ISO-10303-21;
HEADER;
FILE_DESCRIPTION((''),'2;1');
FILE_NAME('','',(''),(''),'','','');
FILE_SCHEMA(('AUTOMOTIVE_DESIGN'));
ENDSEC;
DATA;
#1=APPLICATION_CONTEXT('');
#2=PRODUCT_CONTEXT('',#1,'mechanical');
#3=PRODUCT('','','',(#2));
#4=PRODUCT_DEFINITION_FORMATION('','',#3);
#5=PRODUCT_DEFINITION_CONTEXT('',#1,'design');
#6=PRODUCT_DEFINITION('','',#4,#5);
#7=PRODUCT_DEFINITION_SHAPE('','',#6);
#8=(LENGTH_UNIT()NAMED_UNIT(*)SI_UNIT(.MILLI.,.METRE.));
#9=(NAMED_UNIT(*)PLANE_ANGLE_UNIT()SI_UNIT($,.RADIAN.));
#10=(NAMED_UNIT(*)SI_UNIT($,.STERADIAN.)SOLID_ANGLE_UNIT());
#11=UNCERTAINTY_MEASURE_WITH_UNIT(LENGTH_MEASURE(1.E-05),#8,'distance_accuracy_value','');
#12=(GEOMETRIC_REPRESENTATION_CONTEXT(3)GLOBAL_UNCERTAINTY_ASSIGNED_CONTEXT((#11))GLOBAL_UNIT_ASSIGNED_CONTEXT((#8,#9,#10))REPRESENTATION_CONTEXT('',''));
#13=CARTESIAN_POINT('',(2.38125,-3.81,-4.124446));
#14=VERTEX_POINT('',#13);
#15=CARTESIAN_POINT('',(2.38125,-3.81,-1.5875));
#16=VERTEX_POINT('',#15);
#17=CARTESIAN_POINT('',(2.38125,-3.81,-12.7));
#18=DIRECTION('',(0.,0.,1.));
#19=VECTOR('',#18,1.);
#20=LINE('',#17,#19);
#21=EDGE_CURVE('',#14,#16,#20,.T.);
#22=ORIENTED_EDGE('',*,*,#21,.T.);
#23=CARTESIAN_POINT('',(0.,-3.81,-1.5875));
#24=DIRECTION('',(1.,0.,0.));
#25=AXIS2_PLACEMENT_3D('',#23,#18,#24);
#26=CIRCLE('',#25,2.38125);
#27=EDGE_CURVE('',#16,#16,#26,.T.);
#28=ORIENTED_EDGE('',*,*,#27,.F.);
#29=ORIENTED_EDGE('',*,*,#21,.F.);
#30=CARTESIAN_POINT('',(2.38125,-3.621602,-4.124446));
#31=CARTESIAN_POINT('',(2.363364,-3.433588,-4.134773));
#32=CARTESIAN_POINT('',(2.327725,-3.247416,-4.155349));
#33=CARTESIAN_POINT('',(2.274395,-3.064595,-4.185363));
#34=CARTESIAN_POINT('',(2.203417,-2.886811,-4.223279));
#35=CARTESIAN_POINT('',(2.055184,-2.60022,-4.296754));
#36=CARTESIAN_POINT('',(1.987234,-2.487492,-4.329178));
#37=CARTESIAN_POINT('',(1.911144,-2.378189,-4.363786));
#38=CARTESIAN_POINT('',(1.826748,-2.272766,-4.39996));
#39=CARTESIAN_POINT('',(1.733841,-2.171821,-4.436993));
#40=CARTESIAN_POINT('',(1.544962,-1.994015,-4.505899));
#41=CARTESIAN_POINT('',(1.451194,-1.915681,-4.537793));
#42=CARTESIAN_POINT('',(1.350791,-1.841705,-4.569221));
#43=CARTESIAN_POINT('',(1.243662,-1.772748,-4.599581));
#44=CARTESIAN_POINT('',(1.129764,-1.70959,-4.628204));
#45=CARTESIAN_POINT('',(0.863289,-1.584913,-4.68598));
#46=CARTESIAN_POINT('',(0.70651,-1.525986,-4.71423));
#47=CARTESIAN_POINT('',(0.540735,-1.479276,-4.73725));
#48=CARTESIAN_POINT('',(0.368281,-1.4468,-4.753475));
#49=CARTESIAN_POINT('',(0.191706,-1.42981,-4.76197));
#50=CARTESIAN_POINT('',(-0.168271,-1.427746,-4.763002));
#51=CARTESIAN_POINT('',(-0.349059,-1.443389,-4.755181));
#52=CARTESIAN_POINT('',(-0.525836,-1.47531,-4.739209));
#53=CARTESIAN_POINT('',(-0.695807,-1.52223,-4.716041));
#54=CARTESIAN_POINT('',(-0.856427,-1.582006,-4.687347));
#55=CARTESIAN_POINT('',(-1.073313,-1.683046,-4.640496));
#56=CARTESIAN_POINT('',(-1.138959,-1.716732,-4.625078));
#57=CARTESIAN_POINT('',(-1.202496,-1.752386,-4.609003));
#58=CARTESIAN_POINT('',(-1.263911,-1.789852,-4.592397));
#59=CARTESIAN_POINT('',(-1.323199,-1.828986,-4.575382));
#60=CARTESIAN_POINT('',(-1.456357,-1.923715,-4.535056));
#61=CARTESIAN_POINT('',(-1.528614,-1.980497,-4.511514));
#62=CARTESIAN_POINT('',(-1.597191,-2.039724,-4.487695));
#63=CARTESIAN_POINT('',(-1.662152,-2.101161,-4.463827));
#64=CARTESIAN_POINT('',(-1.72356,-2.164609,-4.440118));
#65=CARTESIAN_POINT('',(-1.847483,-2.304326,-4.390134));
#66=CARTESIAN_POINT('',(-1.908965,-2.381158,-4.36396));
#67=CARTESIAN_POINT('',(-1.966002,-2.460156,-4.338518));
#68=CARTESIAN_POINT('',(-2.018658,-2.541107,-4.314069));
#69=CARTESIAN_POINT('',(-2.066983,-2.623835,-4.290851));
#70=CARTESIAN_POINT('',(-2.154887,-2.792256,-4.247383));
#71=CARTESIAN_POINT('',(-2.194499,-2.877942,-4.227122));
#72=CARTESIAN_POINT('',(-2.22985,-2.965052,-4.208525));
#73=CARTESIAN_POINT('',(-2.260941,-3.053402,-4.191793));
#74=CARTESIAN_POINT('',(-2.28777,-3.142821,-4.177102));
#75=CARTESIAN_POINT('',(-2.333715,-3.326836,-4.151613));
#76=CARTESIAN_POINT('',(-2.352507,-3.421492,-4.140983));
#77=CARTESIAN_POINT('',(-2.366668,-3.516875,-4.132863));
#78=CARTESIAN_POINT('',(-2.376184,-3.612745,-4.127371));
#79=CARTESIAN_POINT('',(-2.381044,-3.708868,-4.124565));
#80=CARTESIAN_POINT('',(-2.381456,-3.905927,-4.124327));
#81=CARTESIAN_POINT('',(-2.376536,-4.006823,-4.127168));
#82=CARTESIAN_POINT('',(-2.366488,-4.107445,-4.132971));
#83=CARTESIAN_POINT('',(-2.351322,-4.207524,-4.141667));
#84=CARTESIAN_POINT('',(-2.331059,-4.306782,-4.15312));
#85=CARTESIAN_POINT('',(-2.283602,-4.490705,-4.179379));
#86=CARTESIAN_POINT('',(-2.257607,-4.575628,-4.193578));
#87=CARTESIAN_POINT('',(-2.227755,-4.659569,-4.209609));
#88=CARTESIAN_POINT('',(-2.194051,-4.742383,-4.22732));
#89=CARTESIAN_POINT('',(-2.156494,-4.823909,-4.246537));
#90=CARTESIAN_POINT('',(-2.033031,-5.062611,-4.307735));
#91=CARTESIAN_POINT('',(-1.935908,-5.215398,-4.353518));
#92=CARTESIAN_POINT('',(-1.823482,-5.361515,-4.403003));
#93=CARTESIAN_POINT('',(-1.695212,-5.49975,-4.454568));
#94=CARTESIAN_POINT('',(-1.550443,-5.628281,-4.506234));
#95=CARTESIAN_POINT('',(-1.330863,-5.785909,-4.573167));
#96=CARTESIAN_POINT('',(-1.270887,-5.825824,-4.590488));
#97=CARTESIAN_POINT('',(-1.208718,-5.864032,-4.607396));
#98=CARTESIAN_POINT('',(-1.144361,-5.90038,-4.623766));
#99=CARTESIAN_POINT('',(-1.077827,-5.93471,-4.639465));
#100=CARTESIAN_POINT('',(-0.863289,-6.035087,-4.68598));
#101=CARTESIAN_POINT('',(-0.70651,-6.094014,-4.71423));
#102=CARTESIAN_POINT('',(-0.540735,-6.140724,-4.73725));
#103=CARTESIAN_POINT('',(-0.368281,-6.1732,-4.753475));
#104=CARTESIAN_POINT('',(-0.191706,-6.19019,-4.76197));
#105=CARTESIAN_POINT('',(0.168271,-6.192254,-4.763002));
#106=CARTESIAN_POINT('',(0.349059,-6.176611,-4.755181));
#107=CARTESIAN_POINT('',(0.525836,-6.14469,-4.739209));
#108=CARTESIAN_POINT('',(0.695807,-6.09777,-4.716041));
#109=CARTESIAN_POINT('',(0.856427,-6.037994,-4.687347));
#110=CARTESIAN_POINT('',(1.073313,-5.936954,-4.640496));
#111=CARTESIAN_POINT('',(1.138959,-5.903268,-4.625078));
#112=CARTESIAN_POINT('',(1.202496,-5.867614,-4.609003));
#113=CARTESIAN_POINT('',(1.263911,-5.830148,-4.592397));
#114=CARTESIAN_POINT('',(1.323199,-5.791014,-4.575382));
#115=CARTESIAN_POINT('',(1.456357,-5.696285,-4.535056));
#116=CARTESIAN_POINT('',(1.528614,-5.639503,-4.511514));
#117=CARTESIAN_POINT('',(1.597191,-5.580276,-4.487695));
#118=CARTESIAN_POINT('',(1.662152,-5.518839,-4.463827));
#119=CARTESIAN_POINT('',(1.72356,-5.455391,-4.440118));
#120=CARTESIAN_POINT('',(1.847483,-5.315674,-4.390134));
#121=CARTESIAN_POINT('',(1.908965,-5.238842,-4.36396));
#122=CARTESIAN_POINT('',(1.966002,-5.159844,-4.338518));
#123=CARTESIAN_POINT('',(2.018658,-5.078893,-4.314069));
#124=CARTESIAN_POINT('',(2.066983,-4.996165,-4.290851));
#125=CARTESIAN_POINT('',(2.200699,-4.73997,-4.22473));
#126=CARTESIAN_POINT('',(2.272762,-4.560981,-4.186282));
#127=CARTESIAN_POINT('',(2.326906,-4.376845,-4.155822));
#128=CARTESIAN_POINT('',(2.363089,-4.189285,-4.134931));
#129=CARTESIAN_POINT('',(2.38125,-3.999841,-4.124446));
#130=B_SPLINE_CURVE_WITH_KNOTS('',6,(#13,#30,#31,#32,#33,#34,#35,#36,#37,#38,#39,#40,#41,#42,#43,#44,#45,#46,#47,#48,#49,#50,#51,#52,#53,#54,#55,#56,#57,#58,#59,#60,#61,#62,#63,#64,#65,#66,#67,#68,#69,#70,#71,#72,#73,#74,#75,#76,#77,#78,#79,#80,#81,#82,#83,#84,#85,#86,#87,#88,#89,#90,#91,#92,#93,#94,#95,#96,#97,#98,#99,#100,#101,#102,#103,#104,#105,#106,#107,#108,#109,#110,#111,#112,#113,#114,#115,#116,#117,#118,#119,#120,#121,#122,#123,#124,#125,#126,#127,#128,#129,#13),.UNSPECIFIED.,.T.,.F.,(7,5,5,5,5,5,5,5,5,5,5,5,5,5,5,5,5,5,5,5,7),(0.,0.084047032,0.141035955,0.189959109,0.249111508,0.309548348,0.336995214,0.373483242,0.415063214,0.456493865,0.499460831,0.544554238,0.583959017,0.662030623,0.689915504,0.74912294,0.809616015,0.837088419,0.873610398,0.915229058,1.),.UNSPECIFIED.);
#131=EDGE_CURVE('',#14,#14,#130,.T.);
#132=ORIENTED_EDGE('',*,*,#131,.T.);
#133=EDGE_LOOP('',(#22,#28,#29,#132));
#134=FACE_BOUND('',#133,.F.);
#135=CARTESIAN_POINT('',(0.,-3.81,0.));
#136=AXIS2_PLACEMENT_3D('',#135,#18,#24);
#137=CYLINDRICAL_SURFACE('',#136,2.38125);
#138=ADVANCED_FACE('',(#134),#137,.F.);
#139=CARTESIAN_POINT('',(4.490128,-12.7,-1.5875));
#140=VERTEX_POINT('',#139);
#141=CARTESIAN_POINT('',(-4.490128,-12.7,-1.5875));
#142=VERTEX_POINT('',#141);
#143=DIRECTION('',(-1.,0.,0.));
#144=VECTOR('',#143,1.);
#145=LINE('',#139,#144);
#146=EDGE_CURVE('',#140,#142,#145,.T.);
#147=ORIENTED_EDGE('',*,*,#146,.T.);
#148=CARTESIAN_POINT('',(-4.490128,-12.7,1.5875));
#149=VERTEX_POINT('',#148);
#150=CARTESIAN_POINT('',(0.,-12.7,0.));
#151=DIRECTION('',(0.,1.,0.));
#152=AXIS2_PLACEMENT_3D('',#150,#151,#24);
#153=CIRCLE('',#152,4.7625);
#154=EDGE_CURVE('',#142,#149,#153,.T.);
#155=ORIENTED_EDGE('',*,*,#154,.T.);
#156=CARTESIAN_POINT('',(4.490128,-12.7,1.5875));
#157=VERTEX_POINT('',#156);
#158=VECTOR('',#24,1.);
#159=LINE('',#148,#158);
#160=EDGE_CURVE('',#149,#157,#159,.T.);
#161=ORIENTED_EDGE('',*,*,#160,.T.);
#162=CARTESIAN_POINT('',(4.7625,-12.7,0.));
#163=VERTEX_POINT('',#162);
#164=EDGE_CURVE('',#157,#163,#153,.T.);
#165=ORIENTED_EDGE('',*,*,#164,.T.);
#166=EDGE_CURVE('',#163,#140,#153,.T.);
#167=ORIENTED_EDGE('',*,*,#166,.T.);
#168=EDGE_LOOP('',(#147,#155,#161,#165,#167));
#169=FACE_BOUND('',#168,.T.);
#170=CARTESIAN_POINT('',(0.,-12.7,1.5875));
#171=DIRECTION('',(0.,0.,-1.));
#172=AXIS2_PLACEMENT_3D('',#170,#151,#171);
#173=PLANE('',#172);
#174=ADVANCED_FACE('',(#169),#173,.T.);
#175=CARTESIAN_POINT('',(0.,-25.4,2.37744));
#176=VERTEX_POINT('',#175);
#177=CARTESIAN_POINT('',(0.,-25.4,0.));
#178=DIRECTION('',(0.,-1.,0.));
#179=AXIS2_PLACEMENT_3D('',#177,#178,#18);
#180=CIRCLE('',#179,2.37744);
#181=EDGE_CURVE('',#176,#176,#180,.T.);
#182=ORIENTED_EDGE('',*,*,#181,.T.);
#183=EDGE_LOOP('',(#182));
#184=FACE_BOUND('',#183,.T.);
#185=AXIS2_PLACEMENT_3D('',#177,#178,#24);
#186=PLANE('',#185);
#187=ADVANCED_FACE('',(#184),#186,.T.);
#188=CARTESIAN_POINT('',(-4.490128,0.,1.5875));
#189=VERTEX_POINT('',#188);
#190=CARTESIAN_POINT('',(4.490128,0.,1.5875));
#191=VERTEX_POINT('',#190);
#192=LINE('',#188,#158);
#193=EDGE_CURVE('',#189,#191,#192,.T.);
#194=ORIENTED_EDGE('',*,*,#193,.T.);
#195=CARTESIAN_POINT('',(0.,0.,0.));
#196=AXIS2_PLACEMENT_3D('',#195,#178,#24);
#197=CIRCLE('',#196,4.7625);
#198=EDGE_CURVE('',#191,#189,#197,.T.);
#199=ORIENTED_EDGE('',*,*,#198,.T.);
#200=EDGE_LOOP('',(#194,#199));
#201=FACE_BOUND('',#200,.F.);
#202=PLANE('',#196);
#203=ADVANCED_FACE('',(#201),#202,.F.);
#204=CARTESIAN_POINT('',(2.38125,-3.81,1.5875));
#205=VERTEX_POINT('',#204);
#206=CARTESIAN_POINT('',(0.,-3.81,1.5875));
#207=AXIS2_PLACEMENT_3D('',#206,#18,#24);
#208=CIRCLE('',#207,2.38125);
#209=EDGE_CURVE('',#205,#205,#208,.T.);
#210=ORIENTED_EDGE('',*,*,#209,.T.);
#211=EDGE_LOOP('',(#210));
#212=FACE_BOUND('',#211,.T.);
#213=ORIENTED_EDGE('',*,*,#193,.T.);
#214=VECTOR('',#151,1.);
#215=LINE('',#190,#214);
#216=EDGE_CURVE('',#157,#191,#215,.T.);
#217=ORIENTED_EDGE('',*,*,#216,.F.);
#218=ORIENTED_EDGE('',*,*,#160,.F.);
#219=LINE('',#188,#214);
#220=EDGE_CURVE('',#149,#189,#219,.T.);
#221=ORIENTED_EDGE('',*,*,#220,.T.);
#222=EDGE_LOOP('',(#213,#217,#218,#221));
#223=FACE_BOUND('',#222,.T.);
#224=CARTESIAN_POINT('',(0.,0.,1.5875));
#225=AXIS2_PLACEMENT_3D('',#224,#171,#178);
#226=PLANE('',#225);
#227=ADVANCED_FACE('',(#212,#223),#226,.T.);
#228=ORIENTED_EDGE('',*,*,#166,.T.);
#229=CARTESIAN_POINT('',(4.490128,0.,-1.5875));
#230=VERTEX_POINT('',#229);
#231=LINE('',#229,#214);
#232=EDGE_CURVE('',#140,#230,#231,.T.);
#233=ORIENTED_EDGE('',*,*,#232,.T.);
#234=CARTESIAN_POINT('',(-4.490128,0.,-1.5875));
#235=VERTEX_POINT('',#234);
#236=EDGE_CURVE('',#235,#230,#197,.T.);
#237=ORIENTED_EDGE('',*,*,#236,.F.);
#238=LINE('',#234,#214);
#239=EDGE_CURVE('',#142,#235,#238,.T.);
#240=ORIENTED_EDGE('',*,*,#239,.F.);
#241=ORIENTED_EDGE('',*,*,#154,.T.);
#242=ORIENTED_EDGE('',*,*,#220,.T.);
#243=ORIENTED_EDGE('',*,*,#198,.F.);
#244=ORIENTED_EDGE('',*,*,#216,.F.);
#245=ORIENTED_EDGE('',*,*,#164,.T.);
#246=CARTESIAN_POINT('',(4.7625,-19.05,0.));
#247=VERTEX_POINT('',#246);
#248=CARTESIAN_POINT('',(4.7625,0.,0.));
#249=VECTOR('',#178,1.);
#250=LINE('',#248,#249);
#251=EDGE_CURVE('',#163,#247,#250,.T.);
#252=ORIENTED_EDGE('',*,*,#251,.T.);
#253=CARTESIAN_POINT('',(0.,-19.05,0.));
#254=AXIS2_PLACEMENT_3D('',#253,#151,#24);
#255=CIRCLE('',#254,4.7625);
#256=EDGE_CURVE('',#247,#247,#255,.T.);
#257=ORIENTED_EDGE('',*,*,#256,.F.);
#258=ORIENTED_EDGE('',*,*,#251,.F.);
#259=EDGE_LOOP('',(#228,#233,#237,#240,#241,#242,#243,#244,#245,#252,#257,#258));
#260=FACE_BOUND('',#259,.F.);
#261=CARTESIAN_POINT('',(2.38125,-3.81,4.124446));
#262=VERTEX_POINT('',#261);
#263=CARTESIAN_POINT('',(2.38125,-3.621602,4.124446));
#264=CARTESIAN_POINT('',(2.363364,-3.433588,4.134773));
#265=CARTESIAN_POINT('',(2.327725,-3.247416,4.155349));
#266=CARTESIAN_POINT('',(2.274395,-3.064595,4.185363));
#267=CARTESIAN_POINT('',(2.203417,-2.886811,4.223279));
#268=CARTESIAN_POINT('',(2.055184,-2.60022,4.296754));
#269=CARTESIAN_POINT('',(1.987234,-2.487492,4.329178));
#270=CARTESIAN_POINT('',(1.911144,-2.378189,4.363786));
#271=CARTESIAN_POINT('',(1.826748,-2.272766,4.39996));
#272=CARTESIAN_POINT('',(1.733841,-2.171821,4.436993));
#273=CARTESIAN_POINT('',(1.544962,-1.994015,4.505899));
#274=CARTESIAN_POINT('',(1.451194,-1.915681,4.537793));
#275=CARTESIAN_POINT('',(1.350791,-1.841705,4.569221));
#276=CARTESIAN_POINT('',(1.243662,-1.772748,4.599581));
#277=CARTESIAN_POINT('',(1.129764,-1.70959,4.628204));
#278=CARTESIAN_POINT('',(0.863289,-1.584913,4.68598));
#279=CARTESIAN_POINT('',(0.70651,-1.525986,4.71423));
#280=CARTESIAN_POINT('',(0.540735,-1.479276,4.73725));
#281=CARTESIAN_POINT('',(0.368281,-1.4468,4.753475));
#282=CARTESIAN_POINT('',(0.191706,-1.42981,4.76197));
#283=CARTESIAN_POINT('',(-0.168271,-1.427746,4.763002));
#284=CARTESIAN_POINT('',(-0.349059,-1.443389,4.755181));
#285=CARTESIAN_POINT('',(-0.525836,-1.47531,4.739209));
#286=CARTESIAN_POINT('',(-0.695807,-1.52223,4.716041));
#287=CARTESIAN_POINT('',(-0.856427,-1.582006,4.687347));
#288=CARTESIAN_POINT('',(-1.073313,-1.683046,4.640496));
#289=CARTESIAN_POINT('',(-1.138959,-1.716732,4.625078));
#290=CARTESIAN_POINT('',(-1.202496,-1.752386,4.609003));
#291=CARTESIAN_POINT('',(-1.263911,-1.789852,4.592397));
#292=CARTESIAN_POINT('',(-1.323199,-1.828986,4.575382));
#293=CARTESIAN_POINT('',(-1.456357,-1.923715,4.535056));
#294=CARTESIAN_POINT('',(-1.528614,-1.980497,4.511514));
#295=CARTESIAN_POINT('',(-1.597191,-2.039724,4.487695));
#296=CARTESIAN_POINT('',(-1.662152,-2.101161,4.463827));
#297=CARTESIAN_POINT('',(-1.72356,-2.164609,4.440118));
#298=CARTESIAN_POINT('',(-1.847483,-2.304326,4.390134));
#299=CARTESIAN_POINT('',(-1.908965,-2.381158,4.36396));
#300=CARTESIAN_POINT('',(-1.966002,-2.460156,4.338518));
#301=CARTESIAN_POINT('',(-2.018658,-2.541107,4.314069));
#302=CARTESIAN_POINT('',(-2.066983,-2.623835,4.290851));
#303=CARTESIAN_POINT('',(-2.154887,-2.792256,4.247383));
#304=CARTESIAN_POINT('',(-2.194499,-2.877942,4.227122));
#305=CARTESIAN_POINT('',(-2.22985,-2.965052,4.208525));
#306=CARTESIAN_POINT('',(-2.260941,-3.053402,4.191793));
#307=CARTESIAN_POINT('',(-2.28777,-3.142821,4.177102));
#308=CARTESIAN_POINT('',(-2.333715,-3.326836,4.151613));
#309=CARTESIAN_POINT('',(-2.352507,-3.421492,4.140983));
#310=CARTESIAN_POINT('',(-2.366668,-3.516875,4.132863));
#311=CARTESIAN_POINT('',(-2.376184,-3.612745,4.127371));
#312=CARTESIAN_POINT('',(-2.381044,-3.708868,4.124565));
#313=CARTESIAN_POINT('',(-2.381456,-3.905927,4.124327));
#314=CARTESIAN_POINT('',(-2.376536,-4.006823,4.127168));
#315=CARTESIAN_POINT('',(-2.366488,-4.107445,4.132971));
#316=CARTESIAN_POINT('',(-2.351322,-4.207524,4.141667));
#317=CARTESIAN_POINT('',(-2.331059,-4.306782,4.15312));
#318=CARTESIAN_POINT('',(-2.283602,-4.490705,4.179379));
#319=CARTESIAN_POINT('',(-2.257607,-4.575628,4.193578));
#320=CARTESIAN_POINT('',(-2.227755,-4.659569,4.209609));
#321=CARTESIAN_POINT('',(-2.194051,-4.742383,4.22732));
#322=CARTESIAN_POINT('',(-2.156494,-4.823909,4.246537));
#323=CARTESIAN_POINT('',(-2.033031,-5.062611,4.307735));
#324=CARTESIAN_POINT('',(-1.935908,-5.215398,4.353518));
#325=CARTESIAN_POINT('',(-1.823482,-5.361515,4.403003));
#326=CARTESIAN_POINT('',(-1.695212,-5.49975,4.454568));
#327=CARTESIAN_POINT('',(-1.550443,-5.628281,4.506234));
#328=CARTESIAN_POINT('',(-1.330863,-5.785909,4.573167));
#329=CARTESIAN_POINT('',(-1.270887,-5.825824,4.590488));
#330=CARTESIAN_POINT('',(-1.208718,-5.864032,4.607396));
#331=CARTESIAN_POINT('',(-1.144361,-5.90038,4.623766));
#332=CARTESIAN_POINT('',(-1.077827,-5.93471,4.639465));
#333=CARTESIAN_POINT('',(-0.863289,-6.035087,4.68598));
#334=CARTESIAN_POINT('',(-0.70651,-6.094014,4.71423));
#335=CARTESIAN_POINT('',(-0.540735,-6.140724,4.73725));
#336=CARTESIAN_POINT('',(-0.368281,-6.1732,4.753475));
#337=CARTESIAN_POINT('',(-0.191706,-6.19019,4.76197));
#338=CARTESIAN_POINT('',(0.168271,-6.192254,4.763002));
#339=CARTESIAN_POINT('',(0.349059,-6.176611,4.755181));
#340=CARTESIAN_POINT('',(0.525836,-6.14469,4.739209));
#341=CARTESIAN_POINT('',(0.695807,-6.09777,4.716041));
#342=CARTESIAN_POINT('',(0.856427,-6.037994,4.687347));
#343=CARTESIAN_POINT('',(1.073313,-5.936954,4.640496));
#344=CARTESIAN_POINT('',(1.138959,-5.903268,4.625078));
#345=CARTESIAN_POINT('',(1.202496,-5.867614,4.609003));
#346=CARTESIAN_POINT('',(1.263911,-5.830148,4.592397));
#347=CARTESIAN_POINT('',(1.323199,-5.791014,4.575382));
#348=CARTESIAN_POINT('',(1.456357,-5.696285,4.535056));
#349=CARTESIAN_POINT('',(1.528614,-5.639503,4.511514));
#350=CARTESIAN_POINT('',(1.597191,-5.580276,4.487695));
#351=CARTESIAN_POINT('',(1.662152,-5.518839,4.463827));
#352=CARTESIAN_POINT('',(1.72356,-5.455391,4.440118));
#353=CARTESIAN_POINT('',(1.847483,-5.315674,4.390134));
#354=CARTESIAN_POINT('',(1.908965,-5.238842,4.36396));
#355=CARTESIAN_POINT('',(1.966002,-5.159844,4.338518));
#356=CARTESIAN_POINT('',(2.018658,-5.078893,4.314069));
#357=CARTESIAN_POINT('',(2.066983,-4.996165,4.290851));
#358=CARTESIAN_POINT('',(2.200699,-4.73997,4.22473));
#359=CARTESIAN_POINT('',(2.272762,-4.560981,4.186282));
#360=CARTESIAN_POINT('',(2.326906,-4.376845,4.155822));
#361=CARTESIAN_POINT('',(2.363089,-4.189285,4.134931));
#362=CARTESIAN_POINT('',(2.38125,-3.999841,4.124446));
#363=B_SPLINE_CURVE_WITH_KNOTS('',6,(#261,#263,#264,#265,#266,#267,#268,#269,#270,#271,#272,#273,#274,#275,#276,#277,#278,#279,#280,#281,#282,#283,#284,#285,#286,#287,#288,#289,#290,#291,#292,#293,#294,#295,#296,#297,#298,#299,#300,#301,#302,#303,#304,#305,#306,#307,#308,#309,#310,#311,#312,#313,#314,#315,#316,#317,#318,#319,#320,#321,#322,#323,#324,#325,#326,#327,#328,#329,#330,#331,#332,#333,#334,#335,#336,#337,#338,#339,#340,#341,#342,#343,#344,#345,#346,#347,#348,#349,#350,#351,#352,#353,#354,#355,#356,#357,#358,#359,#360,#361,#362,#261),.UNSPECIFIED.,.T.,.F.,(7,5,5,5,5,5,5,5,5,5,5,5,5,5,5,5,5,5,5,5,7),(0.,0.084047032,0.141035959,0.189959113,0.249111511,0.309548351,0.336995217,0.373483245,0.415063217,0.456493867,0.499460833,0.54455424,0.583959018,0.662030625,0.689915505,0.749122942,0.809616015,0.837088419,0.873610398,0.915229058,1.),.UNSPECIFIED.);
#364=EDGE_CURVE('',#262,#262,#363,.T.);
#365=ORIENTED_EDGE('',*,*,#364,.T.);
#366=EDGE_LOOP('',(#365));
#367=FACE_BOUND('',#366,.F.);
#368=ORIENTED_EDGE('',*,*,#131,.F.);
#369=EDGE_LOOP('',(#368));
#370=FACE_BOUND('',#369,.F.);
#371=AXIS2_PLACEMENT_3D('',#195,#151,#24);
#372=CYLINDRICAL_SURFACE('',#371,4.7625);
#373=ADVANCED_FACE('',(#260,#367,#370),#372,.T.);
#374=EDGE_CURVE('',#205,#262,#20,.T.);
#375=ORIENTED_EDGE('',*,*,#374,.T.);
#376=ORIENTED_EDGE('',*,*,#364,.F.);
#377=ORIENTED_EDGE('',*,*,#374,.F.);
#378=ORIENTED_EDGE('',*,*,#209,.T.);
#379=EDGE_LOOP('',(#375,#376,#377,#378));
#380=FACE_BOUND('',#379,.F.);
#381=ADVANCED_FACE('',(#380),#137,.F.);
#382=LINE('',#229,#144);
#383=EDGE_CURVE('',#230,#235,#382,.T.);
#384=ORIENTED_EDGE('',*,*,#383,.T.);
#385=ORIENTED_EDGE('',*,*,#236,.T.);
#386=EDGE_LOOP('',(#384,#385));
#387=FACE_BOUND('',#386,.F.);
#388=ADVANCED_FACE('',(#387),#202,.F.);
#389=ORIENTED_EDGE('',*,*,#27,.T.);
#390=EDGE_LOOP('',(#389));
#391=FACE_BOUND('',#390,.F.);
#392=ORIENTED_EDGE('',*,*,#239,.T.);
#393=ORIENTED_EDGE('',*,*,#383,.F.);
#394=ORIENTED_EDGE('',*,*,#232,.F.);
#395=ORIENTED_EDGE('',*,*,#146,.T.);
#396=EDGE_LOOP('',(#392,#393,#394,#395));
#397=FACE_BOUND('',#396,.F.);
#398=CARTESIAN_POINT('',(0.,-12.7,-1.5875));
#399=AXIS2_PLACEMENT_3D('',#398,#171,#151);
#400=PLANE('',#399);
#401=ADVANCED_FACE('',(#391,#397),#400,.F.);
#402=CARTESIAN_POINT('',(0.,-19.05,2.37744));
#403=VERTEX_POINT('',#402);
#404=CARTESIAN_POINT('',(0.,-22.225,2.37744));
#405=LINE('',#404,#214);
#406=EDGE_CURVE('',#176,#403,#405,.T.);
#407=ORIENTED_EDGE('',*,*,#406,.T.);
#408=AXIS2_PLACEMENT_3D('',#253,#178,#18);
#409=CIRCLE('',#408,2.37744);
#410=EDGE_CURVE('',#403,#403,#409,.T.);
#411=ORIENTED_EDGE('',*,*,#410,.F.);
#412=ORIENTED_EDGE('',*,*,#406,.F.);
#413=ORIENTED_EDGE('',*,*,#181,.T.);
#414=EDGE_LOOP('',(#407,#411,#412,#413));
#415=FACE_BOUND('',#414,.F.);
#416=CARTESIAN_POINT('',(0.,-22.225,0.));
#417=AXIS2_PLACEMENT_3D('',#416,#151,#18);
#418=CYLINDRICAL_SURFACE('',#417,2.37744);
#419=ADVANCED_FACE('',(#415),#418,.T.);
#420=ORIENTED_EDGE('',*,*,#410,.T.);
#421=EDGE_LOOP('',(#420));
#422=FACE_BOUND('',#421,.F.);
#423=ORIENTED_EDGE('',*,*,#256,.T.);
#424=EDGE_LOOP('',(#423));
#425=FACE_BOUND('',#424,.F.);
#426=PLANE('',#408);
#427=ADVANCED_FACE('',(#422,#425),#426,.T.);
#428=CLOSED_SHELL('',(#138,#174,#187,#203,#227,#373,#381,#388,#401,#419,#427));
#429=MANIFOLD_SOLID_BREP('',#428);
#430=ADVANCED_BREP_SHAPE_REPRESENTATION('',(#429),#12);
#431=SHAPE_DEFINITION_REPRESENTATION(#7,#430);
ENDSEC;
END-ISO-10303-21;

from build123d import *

# Parameters (mm, degrees)
F0_R          = 4.7625
F1_DEPTH      = 25.4
F2_W          = 6.35
F2_H          = 4.7452268491
F5_DEPTH      = 4.7635
F5_DEPTH_BACK = 4.7635
F6_R          = 2.38125
F7_DEPTH      = 12.7


with BuildPart() as f1:
    # F0 (on Front) → F1 (new body)
    with BuildSketch(Plane.XZ):
        Circle(F0_R)
    extrude(amount=F1_DEPTH)

    # F2 (on Right) → F3 (revolve, cut)
    with BuildSketch(Plane.YZ):
        with Locations((-22.225, 4.7500534246)):
            Rectangle(F2_W, F2_H)
    revolve(axis=Axis((0, -25.3480933607, 0), (0, -1, 0)), mode=Mode.SUBTRACT)

    # F4 (on Right) → F5 (cut, two sides)
    with BuildSketch(Plane.YZ) as f5_sk:
        Polygon((0, -1.5875), (0, 0), (0, 1.5875), (-12.7, 1.5875), (-12.7, 0), (-12.7, -1.5875), align=None)
    extrude(amount=-F5_DEPTH, mode=Mode.SUBTRACT)
    extrude(f5_sk.sketch, amount=F5_DEPTH_BACK, mode=Mode.SUBTRACT)

    # F6 (on Top) → F7 (cut, symmetric)
    with BuildSketch(Plane.XY):
        with Locations((0, -3.81)):
            Circle(F6_R)
    extrude(amount=F7_DEPTH, both=True, mode=Mode.SUBTRACT)


solid = f1.part
